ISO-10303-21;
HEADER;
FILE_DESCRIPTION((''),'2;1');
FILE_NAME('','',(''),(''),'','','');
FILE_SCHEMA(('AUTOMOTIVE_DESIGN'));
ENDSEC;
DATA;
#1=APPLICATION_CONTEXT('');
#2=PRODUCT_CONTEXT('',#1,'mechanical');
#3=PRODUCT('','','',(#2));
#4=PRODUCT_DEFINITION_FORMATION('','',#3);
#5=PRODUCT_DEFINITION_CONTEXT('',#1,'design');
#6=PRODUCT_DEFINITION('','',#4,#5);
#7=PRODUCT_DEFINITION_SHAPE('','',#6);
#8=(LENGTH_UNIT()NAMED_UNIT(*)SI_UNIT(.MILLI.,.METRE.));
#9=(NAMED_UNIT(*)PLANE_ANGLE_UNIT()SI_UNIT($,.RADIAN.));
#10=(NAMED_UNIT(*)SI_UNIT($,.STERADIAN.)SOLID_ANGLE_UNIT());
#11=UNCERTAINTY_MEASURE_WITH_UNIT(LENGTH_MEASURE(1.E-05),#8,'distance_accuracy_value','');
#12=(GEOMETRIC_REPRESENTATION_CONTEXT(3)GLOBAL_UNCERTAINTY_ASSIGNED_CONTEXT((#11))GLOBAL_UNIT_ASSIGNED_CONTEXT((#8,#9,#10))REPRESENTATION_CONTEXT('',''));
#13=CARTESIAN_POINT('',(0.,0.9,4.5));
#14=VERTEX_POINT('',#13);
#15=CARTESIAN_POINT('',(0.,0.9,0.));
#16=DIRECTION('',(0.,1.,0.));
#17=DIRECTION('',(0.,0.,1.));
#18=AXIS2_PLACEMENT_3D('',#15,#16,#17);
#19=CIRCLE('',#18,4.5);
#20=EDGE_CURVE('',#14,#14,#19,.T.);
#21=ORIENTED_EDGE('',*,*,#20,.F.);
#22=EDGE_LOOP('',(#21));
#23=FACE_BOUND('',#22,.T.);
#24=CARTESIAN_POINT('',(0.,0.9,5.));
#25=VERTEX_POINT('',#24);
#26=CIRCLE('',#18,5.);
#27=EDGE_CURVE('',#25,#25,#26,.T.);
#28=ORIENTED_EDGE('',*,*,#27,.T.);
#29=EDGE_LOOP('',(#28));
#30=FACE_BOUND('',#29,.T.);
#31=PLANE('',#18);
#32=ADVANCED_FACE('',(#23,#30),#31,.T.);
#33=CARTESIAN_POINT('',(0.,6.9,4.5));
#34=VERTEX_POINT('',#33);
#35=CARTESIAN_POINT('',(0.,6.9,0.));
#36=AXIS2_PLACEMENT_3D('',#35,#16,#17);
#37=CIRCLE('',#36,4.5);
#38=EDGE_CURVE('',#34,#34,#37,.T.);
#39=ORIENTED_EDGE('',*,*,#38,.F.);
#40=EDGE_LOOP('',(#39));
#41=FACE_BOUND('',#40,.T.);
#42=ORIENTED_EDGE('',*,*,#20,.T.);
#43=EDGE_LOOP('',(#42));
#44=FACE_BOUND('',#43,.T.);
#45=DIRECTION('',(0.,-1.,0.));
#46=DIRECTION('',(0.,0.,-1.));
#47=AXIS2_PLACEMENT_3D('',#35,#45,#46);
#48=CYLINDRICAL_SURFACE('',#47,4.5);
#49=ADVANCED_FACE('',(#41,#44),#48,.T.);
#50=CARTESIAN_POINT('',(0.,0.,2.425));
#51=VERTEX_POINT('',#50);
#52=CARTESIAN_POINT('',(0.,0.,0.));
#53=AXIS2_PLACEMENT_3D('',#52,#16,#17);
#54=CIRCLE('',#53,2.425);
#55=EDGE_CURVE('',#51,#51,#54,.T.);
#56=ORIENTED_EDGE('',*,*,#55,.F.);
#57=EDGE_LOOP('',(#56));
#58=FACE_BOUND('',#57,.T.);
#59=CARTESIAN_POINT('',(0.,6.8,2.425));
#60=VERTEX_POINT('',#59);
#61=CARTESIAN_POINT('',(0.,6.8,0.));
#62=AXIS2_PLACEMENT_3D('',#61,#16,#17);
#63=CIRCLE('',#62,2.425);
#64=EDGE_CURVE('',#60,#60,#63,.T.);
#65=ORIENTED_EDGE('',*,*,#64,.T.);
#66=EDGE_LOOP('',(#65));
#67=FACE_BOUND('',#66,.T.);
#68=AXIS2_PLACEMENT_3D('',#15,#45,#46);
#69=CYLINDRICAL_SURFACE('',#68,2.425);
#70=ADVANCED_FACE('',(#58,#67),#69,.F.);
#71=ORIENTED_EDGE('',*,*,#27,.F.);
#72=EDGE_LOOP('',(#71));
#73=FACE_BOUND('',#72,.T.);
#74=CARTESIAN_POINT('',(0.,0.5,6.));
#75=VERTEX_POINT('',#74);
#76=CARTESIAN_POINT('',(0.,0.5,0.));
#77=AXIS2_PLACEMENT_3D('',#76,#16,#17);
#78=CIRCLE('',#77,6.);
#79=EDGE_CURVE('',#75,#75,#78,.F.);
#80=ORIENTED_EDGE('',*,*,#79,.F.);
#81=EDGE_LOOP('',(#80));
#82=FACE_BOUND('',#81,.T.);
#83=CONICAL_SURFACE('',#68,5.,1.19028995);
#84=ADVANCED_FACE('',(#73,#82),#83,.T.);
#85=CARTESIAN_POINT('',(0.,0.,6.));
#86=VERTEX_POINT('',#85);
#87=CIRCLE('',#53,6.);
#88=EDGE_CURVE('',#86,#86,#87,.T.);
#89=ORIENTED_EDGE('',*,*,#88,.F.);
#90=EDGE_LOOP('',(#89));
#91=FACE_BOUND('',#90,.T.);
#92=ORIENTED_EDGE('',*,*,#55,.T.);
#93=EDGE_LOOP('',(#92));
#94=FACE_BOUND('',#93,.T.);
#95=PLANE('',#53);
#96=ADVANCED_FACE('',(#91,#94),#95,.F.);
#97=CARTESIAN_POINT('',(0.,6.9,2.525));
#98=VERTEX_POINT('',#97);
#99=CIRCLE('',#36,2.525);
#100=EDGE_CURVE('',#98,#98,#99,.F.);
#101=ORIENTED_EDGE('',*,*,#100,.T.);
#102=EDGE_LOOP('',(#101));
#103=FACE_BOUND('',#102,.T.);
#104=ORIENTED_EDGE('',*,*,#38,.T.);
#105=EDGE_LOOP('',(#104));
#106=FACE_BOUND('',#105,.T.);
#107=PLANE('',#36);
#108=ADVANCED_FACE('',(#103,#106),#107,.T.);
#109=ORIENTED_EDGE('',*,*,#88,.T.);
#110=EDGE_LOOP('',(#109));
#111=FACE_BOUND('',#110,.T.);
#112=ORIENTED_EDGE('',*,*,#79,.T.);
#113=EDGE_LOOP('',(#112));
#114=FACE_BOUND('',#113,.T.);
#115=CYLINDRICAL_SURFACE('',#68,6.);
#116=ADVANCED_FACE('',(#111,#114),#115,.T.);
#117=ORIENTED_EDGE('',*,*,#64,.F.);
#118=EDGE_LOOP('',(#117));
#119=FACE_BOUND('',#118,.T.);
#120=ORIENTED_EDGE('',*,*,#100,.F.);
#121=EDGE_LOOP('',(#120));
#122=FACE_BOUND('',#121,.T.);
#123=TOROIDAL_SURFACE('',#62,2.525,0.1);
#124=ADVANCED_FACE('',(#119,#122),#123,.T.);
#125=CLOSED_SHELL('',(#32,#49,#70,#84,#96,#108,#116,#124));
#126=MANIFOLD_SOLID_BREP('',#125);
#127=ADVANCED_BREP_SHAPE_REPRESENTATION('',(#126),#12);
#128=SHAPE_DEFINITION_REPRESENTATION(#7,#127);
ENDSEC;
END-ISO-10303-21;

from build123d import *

# Parameters (mm, degrees)
SKETCH_1_R      = 6
SKETCH_1_R_2    = 2.425
EXTRUDE_1_DEPTH = 0.9
SKETCH_2_R      = 4.5
SKETCH_2_R_2    = 2.425
EXTRUDE_2_DEPTH = 6
FILLET_1_R      = 0.1
CHAMFER_1_SIZE  = 0.4
CHAMFER_1_SIZE2 = 1


with BuildPart() as part:
    # 草图1 → 凸台-拉伸1 (new body)
    with BuildSketch(Plane(origin=(0, 0, 0), x_dir=(1, 0, 0), z_dir=(0, 1, 0))):
        Circle(SKETCH_1_R)
        Circle(SKETCH_1_R_2, mode=Mode.SUBTRACT)
    extrude(amount=EXTRUDE_1_DEPTH)

    # 草图2 → 凸台-拉伸2 (add)
    with BuildSketch(Plane(origin=(0, 0.9, 0), x_dir=(1, 0, 0), z_dir=(0, 1, 0))):
        Circle(SKETCH_2_R)
        Circle(SKETCH_2_R_2, mode=Mode.SUBTRACT)
    extrude(amount=EXTRUDE_2_DEPTH)

    # 圆角1
    fillet_1_edges = [part.edges().sort_by_distance(p)[0] for p in [
        (-2.425, 6.9, 0),
    ]]
    fillet(fillet_1_edges, radius=FILLET_1_R)

    # 倒角1
    chamfer_1_edges = [part.edges().sort_by_distance(p)[0] for p in [
        (-6, 0.9, 0),
    ]]
    chamfer_1_side = [part.faces().sort_by_distance(p)[0] for p in [
        (-6, 0.45, 0),
    ]]
    chamfer(chamfer_1_edges, length=CHAMFER_1_SIZE, length2=CHAMFER_1_SIZE2, reference=chamfer_1_side[0])


solid = part.part
